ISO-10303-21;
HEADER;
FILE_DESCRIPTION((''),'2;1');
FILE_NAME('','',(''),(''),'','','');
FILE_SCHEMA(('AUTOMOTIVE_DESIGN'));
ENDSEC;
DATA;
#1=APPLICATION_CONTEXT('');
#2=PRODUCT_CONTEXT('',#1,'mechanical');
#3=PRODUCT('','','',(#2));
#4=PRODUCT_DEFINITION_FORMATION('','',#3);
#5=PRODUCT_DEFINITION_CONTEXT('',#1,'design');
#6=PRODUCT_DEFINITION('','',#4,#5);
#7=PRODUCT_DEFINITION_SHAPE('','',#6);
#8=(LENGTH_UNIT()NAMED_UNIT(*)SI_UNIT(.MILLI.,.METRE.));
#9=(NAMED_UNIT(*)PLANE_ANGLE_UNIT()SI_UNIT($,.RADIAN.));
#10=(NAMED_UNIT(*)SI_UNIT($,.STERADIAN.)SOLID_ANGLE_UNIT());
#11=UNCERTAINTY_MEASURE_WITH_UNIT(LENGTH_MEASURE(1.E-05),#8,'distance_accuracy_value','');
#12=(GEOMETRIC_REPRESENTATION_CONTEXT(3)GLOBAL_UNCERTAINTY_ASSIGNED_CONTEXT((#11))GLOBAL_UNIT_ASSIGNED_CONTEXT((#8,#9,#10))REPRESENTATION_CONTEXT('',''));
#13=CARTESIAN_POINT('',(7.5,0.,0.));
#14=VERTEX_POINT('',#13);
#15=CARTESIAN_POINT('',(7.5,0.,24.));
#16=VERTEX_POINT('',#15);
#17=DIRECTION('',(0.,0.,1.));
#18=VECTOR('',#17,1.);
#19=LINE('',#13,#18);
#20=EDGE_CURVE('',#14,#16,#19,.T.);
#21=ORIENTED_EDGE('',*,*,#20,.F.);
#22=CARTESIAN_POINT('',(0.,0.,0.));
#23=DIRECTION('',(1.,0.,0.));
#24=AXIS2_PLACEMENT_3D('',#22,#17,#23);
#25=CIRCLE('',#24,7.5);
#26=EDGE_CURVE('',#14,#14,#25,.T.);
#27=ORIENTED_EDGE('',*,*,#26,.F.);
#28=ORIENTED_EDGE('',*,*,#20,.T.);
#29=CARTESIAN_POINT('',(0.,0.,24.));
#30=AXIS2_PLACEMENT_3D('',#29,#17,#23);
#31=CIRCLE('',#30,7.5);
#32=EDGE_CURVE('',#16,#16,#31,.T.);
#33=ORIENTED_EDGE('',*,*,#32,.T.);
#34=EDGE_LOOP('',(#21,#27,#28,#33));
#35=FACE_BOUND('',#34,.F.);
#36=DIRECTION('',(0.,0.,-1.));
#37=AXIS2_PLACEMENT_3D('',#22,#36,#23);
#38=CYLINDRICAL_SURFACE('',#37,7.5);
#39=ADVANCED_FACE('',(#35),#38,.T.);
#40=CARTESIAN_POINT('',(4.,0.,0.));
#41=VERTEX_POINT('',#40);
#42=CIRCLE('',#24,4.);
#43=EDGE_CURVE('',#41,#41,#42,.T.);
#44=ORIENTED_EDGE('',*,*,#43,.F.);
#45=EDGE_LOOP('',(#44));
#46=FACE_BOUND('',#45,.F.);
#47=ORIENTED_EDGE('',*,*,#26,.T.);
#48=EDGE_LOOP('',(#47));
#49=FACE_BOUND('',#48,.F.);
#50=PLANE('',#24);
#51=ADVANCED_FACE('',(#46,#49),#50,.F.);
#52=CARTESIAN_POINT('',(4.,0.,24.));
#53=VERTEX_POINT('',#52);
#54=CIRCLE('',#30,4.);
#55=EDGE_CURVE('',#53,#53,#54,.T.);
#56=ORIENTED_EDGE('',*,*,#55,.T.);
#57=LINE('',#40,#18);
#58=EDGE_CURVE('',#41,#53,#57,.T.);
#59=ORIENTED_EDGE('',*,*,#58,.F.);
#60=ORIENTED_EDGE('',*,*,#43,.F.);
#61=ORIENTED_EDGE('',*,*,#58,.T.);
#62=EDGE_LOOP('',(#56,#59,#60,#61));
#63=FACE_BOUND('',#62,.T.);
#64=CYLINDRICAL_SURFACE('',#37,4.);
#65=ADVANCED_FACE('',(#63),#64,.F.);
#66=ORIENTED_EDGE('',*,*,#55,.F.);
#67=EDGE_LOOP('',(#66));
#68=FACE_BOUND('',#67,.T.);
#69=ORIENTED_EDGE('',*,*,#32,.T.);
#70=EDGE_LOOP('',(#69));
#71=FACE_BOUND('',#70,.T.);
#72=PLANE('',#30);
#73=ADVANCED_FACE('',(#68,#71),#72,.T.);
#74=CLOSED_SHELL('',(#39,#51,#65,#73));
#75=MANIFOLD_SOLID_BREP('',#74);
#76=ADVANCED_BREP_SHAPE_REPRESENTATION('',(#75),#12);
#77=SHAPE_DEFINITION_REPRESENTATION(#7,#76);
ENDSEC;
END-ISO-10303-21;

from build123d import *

# Parameters (mm, degrees)
ESQUISSE1_R        = 7.5
ESQUISSE1_R_2      = 4
BOSS_EXTRU_1_DEPTH = 24


with BuildPart() as part:
    # Esquisse1 → Boss.-Extru.1 (new body)
    with BuildSketch(Plane.XY):
        Circle(ESQUISSE1_R)
        Circle(ESQUISSE1_R_2, mode=Mode.SUBTRACT)
    extrude(amount=BOSS_EXTRU_1_DEPTH)


solid = part.part
